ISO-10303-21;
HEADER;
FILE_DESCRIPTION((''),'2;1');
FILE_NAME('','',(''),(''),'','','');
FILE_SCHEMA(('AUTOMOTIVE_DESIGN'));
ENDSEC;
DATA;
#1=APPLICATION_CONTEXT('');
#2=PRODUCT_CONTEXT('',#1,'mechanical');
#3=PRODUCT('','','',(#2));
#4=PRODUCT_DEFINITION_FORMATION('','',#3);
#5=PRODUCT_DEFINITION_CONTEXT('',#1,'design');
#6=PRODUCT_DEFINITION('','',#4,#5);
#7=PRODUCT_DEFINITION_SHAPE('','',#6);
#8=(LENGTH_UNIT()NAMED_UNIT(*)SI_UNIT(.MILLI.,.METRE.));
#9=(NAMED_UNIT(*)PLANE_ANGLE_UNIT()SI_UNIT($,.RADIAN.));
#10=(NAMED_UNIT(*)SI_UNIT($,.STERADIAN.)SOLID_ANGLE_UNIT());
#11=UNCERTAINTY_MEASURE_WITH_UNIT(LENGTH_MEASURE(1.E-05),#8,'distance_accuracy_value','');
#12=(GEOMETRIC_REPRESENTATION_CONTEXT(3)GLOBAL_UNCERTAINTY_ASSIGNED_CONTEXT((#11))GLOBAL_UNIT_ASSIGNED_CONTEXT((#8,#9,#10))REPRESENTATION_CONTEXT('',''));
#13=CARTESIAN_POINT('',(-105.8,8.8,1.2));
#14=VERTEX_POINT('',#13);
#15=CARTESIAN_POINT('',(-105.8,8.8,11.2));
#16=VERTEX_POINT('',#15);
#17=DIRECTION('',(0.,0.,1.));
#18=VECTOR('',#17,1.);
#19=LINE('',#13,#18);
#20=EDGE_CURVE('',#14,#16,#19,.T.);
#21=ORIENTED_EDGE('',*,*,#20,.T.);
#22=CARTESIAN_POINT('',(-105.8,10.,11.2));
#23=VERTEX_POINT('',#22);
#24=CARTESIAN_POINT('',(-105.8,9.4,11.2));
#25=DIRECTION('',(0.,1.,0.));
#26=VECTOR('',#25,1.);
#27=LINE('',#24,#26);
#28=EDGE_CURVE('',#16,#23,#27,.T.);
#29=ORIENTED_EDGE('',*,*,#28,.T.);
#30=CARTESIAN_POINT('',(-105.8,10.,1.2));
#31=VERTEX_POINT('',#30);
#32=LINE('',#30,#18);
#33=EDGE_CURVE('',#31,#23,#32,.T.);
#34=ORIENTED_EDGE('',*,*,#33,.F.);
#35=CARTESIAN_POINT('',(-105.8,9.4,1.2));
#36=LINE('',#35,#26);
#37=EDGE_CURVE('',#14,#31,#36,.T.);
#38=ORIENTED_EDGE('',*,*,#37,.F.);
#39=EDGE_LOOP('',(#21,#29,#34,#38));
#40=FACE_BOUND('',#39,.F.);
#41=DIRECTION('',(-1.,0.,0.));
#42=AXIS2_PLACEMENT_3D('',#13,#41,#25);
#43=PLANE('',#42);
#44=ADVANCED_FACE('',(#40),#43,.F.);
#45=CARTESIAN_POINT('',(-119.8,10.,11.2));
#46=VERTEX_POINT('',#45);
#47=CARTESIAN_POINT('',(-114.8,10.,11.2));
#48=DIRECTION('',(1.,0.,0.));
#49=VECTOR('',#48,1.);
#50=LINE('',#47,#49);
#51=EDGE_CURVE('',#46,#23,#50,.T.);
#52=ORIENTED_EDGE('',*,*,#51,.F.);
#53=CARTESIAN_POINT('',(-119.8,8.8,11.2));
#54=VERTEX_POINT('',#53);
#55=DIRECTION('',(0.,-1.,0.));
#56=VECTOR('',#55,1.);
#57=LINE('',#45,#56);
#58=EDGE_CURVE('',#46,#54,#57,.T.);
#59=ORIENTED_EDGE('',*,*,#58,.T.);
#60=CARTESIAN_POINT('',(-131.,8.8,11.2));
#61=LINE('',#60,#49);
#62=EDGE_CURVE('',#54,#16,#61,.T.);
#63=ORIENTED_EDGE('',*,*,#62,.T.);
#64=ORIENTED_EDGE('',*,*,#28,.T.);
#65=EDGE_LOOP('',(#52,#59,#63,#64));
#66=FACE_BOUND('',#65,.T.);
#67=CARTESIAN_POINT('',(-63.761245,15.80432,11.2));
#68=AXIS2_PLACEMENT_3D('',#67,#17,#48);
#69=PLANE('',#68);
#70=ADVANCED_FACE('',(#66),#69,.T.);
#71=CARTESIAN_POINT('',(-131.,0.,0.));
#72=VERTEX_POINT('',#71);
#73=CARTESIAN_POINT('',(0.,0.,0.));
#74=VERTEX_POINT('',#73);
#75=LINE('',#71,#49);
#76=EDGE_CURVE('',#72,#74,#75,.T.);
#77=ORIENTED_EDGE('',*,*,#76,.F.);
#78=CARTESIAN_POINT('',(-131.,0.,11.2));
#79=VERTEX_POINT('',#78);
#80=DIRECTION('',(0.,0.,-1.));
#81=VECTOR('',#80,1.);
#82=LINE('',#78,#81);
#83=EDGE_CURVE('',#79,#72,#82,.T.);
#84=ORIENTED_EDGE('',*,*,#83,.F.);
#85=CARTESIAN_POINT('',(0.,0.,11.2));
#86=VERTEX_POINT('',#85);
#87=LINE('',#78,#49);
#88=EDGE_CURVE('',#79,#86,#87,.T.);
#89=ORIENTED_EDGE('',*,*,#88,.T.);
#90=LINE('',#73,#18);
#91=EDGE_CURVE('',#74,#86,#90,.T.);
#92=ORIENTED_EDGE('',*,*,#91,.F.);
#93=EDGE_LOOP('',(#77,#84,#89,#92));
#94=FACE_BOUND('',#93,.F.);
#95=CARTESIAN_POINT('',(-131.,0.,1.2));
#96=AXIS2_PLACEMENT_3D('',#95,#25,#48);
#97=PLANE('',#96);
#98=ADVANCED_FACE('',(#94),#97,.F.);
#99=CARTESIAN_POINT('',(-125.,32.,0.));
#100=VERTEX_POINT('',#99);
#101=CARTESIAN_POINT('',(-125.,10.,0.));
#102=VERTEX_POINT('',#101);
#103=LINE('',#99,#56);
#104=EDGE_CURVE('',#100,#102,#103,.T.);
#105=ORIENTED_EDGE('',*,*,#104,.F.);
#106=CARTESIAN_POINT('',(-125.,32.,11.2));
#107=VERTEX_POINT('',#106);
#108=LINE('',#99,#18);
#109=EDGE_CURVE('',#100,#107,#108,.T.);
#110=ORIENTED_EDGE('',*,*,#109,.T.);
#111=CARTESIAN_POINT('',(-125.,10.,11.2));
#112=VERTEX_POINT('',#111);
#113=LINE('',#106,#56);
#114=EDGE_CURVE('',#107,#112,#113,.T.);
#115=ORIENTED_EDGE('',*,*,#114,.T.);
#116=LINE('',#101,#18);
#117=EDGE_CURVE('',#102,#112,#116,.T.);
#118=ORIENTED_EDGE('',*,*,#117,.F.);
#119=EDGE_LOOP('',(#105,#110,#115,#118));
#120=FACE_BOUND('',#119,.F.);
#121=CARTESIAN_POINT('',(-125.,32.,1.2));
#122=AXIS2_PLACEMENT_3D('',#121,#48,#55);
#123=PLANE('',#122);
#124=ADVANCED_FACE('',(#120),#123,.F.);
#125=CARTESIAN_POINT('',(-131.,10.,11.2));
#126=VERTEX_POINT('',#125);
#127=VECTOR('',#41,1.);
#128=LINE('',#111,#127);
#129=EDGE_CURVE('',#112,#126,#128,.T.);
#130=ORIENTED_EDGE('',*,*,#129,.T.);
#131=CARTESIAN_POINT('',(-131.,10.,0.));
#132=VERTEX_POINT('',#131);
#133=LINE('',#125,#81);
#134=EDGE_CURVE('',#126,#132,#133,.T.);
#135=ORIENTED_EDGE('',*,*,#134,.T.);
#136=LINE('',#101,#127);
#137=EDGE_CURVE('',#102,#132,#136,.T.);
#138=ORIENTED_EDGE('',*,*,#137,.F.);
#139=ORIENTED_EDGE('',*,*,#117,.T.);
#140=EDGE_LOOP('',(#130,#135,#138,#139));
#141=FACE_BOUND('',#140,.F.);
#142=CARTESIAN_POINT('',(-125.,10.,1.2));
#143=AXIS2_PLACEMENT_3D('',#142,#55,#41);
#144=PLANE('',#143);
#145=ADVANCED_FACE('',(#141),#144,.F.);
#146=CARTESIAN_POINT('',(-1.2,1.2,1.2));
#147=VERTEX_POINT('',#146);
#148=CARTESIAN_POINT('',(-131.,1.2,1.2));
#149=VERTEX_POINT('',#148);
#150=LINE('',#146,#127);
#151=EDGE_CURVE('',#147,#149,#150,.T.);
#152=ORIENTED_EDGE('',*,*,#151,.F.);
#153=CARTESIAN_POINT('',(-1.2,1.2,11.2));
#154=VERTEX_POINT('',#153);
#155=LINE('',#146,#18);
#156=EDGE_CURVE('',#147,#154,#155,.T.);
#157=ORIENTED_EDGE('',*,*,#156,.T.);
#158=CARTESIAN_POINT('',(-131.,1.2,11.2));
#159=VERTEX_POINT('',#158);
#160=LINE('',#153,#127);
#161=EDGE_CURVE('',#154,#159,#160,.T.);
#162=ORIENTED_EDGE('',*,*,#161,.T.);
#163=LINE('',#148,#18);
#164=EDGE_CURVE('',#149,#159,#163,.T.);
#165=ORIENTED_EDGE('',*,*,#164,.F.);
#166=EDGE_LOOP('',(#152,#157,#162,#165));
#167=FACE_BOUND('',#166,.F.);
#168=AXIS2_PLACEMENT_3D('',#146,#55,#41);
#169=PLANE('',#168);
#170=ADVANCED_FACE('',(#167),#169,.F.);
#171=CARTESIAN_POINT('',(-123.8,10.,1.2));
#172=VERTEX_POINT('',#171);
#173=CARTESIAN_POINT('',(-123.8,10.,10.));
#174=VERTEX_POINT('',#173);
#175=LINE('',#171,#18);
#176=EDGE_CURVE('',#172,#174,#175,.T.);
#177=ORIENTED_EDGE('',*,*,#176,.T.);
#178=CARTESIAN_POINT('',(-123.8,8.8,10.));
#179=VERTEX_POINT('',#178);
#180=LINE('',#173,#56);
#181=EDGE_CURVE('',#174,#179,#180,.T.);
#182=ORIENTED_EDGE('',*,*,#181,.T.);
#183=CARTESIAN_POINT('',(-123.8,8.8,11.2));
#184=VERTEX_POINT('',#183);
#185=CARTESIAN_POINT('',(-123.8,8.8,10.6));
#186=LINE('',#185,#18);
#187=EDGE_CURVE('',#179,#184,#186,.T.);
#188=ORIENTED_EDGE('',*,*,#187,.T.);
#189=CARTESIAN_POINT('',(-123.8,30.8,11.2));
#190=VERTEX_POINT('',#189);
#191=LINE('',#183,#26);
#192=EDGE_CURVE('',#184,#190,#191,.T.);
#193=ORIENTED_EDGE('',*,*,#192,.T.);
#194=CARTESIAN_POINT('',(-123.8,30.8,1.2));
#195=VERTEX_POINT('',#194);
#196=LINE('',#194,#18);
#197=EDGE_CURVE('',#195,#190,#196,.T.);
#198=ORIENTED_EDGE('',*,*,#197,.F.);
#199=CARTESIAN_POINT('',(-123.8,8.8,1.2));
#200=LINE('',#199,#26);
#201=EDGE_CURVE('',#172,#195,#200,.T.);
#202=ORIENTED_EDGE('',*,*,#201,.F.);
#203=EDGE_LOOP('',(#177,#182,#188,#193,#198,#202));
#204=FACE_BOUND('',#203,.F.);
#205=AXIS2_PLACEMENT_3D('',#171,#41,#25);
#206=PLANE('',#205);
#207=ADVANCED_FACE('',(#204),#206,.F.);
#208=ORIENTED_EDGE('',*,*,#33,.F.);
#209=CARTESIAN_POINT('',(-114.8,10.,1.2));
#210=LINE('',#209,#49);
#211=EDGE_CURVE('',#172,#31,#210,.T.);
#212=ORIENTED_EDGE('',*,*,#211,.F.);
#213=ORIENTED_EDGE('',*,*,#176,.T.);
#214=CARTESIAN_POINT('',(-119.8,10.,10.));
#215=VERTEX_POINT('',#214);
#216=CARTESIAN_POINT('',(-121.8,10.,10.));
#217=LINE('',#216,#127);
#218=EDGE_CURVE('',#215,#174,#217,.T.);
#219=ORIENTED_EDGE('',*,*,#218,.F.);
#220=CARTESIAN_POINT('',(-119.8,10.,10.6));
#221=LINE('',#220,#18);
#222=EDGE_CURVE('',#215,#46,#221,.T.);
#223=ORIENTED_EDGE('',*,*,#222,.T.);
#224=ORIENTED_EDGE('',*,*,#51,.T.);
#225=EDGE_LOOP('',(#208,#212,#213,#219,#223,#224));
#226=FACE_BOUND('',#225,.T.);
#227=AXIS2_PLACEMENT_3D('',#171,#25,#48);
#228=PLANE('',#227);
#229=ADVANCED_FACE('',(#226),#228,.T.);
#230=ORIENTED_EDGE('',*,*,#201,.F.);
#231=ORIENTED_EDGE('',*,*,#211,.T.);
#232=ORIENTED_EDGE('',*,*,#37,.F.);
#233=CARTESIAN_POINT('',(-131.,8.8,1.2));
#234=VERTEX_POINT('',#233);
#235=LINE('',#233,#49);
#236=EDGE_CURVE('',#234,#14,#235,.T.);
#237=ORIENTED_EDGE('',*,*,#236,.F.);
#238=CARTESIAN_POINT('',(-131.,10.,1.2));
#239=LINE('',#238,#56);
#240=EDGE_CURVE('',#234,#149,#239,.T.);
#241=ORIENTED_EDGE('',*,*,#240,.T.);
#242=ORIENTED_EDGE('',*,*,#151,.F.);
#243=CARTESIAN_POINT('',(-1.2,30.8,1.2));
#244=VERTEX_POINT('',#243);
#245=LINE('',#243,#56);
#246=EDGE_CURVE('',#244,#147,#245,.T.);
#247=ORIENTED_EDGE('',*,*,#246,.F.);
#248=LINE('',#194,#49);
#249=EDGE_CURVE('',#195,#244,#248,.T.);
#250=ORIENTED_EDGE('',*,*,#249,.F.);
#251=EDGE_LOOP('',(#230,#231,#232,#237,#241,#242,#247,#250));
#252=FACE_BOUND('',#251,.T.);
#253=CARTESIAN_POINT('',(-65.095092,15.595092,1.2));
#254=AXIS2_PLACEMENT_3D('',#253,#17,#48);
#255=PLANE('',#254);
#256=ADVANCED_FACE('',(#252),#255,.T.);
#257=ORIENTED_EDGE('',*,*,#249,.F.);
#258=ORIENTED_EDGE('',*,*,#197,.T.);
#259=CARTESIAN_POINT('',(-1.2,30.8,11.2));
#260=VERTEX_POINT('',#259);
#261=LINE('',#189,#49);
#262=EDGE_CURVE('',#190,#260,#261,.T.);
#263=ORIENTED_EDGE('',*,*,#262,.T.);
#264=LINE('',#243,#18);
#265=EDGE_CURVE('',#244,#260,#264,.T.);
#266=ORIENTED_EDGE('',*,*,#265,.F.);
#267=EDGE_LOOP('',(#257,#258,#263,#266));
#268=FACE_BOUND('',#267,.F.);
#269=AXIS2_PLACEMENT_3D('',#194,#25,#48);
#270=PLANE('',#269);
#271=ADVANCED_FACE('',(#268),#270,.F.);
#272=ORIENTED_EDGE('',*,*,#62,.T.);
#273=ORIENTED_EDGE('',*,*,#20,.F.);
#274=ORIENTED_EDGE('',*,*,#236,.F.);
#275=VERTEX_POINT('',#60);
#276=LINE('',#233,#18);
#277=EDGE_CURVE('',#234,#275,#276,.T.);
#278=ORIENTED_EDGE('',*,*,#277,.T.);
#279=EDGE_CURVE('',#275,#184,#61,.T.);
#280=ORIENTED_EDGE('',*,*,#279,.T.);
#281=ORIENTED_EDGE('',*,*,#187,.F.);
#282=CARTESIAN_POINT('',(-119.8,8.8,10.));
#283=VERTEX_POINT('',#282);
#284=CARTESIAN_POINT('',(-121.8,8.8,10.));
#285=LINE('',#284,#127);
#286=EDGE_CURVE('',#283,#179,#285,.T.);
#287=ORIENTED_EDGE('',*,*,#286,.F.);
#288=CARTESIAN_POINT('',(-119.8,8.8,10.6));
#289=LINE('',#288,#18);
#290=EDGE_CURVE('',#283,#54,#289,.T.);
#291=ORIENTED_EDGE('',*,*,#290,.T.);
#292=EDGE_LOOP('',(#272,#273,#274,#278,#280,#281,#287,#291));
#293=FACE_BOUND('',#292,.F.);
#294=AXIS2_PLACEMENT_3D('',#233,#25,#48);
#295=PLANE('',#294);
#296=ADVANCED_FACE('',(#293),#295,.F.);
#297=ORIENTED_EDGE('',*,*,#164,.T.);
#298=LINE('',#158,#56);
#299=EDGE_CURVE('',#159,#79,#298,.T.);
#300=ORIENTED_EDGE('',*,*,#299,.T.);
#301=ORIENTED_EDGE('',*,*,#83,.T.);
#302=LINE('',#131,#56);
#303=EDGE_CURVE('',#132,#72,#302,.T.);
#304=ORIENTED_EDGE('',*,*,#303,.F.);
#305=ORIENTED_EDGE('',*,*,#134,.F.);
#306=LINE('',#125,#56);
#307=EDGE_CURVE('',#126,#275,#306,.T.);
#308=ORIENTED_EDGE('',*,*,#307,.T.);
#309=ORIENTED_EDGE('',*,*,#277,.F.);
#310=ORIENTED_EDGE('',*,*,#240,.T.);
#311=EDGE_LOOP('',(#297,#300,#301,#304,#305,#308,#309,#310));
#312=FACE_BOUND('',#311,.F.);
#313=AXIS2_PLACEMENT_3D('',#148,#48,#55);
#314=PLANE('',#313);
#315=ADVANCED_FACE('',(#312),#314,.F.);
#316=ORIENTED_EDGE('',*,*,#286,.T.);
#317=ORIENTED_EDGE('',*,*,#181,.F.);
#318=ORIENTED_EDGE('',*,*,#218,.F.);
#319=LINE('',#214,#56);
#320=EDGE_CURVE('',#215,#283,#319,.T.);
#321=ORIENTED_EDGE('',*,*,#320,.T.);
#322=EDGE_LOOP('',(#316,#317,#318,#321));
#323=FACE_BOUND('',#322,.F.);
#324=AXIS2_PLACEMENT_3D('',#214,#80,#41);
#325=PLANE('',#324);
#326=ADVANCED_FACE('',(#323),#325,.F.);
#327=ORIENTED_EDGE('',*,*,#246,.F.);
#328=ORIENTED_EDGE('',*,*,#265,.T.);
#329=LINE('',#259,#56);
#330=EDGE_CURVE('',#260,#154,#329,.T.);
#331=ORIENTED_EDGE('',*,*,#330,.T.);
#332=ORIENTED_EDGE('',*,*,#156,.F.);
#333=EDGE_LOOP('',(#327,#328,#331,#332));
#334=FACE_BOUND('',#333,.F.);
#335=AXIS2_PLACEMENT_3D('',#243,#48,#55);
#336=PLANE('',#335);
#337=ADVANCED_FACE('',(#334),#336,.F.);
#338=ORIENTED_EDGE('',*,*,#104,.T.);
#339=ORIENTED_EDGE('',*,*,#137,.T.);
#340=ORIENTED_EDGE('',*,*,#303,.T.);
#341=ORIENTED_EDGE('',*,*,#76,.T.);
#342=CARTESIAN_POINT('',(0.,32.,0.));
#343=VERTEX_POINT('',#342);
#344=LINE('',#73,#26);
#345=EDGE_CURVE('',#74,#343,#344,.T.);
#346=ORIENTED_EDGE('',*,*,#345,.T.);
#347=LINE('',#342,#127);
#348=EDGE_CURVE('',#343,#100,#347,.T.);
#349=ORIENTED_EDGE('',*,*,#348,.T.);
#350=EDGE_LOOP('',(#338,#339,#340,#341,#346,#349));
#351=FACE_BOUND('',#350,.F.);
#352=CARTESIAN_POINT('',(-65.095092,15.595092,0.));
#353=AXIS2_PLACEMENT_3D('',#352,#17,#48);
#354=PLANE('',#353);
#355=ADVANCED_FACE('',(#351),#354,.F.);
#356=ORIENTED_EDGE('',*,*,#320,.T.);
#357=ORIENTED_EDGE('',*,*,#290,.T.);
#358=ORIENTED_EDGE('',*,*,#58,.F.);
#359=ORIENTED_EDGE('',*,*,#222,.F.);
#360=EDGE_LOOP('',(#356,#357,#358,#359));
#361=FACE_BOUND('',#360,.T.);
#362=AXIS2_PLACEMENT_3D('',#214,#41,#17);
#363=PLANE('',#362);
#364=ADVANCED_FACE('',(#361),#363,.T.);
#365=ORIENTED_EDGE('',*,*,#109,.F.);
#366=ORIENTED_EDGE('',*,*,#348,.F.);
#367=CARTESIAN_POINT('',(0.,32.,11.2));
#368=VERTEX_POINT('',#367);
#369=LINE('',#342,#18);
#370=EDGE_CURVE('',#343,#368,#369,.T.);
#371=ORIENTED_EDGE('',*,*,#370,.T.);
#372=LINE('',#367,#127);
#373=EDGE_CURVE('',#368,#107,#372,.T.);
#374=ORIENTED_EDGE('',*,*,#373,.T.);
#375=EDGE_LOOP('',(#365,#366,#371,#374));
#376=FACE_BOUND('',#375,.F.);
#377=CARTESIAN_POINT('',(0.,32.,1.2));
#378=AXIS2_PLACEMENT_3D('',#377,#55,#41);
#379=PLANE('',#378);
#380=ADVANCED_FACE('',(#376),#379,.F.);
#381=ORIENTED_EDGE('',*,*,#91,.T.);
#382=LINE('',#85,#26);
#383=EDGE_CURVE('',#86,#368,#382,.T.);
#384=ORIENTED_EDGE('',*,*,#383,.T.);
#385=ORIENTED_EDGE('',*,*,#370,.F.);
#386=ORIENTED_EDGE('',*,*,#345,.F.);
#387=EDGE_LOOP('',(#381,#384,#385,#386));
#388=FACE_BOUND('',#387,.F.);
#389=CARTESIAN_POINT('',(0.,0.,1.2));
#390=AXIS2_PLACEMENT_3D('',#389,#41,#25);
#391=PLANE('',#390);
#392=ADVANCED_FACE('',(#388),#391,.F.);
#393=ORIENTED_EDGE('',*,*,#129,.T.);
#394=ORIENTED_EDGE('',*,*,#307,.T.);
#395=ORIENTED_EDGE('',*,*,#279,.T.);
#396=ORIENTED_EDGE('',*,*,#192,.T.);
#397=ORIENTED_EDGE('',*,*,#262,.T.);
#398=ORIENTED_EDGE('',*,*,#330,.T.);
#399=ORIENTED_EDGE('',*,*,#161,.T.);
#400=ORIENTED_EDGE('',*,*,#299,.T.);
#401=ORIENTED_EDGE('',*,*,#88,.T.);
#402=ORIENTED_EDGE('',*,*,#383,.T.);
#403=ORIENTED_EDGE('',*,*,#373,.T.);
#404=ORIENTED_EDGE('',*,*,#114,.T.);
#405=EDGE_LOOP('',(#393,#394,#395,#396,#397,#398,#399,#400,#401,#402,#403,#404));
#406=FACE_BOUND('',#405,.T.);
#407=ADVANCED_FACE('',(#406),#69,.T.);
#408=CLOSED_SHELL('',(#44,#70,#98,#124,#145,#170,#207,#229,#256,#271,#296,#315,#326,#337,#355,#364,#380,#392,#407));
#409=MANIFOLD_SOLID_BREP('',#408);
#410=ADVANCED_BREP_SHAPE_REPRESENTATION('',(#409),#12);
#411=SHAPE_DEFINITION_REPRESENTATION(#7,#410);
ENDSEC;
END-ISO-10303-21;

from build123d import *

# Parameters (mm, degrees)
F1_DEPTH = 1.2
F2_W     = 18
F2_H     = 1.2
F3_DEPTH = 10
F4_W     = 4
F4_H     = 1.2
F5_DEPTH = 1.2


with BuildPart() as f1:
    # F0 (on Top) → F1 (new body)
    with BuildSketch(Plane.XY):
        Polygon((-125, 0), (0, 0), (0, 32), (-125, 32), (-125, 10), (-131, 10), (-131, 0), align=None)
    extrude(amount=F1_DEPTH)

    # F2 (on face) → F3 (join)
    with BuildSketch(Plane.XY.offset(1.2)):
        Polygon((-131, 0), (0, 0), (0, 32), (-125, 32), (-125, 10), (-131, 10), (-131, 8.8), (-123.8, 8.8), (-123.8, 10), (-123.8, 30.8), (-1.2, 30.8), (-1.2, 1.2), (-131, 1.2), align=None)
        with Locations((-114.8, 9.4)):
            Rectangle(F2_W, F2_H)
    extrude(amount=F3_DEPTH)

    # F4 (on face) → F5 (cut, through all)
    with BuildSketch(Plane(origin=(0, 10, 0), x_dir=(-1, 0, 0), z_dir=(0, 1, 0))):
        with Locations((121.8, 10.6)):
            Rectangle(F4_W, F4_H)
    extrude(amount=-F5_DEPTH, mode=Mode.SUBTRACT)


solid = f1.part
